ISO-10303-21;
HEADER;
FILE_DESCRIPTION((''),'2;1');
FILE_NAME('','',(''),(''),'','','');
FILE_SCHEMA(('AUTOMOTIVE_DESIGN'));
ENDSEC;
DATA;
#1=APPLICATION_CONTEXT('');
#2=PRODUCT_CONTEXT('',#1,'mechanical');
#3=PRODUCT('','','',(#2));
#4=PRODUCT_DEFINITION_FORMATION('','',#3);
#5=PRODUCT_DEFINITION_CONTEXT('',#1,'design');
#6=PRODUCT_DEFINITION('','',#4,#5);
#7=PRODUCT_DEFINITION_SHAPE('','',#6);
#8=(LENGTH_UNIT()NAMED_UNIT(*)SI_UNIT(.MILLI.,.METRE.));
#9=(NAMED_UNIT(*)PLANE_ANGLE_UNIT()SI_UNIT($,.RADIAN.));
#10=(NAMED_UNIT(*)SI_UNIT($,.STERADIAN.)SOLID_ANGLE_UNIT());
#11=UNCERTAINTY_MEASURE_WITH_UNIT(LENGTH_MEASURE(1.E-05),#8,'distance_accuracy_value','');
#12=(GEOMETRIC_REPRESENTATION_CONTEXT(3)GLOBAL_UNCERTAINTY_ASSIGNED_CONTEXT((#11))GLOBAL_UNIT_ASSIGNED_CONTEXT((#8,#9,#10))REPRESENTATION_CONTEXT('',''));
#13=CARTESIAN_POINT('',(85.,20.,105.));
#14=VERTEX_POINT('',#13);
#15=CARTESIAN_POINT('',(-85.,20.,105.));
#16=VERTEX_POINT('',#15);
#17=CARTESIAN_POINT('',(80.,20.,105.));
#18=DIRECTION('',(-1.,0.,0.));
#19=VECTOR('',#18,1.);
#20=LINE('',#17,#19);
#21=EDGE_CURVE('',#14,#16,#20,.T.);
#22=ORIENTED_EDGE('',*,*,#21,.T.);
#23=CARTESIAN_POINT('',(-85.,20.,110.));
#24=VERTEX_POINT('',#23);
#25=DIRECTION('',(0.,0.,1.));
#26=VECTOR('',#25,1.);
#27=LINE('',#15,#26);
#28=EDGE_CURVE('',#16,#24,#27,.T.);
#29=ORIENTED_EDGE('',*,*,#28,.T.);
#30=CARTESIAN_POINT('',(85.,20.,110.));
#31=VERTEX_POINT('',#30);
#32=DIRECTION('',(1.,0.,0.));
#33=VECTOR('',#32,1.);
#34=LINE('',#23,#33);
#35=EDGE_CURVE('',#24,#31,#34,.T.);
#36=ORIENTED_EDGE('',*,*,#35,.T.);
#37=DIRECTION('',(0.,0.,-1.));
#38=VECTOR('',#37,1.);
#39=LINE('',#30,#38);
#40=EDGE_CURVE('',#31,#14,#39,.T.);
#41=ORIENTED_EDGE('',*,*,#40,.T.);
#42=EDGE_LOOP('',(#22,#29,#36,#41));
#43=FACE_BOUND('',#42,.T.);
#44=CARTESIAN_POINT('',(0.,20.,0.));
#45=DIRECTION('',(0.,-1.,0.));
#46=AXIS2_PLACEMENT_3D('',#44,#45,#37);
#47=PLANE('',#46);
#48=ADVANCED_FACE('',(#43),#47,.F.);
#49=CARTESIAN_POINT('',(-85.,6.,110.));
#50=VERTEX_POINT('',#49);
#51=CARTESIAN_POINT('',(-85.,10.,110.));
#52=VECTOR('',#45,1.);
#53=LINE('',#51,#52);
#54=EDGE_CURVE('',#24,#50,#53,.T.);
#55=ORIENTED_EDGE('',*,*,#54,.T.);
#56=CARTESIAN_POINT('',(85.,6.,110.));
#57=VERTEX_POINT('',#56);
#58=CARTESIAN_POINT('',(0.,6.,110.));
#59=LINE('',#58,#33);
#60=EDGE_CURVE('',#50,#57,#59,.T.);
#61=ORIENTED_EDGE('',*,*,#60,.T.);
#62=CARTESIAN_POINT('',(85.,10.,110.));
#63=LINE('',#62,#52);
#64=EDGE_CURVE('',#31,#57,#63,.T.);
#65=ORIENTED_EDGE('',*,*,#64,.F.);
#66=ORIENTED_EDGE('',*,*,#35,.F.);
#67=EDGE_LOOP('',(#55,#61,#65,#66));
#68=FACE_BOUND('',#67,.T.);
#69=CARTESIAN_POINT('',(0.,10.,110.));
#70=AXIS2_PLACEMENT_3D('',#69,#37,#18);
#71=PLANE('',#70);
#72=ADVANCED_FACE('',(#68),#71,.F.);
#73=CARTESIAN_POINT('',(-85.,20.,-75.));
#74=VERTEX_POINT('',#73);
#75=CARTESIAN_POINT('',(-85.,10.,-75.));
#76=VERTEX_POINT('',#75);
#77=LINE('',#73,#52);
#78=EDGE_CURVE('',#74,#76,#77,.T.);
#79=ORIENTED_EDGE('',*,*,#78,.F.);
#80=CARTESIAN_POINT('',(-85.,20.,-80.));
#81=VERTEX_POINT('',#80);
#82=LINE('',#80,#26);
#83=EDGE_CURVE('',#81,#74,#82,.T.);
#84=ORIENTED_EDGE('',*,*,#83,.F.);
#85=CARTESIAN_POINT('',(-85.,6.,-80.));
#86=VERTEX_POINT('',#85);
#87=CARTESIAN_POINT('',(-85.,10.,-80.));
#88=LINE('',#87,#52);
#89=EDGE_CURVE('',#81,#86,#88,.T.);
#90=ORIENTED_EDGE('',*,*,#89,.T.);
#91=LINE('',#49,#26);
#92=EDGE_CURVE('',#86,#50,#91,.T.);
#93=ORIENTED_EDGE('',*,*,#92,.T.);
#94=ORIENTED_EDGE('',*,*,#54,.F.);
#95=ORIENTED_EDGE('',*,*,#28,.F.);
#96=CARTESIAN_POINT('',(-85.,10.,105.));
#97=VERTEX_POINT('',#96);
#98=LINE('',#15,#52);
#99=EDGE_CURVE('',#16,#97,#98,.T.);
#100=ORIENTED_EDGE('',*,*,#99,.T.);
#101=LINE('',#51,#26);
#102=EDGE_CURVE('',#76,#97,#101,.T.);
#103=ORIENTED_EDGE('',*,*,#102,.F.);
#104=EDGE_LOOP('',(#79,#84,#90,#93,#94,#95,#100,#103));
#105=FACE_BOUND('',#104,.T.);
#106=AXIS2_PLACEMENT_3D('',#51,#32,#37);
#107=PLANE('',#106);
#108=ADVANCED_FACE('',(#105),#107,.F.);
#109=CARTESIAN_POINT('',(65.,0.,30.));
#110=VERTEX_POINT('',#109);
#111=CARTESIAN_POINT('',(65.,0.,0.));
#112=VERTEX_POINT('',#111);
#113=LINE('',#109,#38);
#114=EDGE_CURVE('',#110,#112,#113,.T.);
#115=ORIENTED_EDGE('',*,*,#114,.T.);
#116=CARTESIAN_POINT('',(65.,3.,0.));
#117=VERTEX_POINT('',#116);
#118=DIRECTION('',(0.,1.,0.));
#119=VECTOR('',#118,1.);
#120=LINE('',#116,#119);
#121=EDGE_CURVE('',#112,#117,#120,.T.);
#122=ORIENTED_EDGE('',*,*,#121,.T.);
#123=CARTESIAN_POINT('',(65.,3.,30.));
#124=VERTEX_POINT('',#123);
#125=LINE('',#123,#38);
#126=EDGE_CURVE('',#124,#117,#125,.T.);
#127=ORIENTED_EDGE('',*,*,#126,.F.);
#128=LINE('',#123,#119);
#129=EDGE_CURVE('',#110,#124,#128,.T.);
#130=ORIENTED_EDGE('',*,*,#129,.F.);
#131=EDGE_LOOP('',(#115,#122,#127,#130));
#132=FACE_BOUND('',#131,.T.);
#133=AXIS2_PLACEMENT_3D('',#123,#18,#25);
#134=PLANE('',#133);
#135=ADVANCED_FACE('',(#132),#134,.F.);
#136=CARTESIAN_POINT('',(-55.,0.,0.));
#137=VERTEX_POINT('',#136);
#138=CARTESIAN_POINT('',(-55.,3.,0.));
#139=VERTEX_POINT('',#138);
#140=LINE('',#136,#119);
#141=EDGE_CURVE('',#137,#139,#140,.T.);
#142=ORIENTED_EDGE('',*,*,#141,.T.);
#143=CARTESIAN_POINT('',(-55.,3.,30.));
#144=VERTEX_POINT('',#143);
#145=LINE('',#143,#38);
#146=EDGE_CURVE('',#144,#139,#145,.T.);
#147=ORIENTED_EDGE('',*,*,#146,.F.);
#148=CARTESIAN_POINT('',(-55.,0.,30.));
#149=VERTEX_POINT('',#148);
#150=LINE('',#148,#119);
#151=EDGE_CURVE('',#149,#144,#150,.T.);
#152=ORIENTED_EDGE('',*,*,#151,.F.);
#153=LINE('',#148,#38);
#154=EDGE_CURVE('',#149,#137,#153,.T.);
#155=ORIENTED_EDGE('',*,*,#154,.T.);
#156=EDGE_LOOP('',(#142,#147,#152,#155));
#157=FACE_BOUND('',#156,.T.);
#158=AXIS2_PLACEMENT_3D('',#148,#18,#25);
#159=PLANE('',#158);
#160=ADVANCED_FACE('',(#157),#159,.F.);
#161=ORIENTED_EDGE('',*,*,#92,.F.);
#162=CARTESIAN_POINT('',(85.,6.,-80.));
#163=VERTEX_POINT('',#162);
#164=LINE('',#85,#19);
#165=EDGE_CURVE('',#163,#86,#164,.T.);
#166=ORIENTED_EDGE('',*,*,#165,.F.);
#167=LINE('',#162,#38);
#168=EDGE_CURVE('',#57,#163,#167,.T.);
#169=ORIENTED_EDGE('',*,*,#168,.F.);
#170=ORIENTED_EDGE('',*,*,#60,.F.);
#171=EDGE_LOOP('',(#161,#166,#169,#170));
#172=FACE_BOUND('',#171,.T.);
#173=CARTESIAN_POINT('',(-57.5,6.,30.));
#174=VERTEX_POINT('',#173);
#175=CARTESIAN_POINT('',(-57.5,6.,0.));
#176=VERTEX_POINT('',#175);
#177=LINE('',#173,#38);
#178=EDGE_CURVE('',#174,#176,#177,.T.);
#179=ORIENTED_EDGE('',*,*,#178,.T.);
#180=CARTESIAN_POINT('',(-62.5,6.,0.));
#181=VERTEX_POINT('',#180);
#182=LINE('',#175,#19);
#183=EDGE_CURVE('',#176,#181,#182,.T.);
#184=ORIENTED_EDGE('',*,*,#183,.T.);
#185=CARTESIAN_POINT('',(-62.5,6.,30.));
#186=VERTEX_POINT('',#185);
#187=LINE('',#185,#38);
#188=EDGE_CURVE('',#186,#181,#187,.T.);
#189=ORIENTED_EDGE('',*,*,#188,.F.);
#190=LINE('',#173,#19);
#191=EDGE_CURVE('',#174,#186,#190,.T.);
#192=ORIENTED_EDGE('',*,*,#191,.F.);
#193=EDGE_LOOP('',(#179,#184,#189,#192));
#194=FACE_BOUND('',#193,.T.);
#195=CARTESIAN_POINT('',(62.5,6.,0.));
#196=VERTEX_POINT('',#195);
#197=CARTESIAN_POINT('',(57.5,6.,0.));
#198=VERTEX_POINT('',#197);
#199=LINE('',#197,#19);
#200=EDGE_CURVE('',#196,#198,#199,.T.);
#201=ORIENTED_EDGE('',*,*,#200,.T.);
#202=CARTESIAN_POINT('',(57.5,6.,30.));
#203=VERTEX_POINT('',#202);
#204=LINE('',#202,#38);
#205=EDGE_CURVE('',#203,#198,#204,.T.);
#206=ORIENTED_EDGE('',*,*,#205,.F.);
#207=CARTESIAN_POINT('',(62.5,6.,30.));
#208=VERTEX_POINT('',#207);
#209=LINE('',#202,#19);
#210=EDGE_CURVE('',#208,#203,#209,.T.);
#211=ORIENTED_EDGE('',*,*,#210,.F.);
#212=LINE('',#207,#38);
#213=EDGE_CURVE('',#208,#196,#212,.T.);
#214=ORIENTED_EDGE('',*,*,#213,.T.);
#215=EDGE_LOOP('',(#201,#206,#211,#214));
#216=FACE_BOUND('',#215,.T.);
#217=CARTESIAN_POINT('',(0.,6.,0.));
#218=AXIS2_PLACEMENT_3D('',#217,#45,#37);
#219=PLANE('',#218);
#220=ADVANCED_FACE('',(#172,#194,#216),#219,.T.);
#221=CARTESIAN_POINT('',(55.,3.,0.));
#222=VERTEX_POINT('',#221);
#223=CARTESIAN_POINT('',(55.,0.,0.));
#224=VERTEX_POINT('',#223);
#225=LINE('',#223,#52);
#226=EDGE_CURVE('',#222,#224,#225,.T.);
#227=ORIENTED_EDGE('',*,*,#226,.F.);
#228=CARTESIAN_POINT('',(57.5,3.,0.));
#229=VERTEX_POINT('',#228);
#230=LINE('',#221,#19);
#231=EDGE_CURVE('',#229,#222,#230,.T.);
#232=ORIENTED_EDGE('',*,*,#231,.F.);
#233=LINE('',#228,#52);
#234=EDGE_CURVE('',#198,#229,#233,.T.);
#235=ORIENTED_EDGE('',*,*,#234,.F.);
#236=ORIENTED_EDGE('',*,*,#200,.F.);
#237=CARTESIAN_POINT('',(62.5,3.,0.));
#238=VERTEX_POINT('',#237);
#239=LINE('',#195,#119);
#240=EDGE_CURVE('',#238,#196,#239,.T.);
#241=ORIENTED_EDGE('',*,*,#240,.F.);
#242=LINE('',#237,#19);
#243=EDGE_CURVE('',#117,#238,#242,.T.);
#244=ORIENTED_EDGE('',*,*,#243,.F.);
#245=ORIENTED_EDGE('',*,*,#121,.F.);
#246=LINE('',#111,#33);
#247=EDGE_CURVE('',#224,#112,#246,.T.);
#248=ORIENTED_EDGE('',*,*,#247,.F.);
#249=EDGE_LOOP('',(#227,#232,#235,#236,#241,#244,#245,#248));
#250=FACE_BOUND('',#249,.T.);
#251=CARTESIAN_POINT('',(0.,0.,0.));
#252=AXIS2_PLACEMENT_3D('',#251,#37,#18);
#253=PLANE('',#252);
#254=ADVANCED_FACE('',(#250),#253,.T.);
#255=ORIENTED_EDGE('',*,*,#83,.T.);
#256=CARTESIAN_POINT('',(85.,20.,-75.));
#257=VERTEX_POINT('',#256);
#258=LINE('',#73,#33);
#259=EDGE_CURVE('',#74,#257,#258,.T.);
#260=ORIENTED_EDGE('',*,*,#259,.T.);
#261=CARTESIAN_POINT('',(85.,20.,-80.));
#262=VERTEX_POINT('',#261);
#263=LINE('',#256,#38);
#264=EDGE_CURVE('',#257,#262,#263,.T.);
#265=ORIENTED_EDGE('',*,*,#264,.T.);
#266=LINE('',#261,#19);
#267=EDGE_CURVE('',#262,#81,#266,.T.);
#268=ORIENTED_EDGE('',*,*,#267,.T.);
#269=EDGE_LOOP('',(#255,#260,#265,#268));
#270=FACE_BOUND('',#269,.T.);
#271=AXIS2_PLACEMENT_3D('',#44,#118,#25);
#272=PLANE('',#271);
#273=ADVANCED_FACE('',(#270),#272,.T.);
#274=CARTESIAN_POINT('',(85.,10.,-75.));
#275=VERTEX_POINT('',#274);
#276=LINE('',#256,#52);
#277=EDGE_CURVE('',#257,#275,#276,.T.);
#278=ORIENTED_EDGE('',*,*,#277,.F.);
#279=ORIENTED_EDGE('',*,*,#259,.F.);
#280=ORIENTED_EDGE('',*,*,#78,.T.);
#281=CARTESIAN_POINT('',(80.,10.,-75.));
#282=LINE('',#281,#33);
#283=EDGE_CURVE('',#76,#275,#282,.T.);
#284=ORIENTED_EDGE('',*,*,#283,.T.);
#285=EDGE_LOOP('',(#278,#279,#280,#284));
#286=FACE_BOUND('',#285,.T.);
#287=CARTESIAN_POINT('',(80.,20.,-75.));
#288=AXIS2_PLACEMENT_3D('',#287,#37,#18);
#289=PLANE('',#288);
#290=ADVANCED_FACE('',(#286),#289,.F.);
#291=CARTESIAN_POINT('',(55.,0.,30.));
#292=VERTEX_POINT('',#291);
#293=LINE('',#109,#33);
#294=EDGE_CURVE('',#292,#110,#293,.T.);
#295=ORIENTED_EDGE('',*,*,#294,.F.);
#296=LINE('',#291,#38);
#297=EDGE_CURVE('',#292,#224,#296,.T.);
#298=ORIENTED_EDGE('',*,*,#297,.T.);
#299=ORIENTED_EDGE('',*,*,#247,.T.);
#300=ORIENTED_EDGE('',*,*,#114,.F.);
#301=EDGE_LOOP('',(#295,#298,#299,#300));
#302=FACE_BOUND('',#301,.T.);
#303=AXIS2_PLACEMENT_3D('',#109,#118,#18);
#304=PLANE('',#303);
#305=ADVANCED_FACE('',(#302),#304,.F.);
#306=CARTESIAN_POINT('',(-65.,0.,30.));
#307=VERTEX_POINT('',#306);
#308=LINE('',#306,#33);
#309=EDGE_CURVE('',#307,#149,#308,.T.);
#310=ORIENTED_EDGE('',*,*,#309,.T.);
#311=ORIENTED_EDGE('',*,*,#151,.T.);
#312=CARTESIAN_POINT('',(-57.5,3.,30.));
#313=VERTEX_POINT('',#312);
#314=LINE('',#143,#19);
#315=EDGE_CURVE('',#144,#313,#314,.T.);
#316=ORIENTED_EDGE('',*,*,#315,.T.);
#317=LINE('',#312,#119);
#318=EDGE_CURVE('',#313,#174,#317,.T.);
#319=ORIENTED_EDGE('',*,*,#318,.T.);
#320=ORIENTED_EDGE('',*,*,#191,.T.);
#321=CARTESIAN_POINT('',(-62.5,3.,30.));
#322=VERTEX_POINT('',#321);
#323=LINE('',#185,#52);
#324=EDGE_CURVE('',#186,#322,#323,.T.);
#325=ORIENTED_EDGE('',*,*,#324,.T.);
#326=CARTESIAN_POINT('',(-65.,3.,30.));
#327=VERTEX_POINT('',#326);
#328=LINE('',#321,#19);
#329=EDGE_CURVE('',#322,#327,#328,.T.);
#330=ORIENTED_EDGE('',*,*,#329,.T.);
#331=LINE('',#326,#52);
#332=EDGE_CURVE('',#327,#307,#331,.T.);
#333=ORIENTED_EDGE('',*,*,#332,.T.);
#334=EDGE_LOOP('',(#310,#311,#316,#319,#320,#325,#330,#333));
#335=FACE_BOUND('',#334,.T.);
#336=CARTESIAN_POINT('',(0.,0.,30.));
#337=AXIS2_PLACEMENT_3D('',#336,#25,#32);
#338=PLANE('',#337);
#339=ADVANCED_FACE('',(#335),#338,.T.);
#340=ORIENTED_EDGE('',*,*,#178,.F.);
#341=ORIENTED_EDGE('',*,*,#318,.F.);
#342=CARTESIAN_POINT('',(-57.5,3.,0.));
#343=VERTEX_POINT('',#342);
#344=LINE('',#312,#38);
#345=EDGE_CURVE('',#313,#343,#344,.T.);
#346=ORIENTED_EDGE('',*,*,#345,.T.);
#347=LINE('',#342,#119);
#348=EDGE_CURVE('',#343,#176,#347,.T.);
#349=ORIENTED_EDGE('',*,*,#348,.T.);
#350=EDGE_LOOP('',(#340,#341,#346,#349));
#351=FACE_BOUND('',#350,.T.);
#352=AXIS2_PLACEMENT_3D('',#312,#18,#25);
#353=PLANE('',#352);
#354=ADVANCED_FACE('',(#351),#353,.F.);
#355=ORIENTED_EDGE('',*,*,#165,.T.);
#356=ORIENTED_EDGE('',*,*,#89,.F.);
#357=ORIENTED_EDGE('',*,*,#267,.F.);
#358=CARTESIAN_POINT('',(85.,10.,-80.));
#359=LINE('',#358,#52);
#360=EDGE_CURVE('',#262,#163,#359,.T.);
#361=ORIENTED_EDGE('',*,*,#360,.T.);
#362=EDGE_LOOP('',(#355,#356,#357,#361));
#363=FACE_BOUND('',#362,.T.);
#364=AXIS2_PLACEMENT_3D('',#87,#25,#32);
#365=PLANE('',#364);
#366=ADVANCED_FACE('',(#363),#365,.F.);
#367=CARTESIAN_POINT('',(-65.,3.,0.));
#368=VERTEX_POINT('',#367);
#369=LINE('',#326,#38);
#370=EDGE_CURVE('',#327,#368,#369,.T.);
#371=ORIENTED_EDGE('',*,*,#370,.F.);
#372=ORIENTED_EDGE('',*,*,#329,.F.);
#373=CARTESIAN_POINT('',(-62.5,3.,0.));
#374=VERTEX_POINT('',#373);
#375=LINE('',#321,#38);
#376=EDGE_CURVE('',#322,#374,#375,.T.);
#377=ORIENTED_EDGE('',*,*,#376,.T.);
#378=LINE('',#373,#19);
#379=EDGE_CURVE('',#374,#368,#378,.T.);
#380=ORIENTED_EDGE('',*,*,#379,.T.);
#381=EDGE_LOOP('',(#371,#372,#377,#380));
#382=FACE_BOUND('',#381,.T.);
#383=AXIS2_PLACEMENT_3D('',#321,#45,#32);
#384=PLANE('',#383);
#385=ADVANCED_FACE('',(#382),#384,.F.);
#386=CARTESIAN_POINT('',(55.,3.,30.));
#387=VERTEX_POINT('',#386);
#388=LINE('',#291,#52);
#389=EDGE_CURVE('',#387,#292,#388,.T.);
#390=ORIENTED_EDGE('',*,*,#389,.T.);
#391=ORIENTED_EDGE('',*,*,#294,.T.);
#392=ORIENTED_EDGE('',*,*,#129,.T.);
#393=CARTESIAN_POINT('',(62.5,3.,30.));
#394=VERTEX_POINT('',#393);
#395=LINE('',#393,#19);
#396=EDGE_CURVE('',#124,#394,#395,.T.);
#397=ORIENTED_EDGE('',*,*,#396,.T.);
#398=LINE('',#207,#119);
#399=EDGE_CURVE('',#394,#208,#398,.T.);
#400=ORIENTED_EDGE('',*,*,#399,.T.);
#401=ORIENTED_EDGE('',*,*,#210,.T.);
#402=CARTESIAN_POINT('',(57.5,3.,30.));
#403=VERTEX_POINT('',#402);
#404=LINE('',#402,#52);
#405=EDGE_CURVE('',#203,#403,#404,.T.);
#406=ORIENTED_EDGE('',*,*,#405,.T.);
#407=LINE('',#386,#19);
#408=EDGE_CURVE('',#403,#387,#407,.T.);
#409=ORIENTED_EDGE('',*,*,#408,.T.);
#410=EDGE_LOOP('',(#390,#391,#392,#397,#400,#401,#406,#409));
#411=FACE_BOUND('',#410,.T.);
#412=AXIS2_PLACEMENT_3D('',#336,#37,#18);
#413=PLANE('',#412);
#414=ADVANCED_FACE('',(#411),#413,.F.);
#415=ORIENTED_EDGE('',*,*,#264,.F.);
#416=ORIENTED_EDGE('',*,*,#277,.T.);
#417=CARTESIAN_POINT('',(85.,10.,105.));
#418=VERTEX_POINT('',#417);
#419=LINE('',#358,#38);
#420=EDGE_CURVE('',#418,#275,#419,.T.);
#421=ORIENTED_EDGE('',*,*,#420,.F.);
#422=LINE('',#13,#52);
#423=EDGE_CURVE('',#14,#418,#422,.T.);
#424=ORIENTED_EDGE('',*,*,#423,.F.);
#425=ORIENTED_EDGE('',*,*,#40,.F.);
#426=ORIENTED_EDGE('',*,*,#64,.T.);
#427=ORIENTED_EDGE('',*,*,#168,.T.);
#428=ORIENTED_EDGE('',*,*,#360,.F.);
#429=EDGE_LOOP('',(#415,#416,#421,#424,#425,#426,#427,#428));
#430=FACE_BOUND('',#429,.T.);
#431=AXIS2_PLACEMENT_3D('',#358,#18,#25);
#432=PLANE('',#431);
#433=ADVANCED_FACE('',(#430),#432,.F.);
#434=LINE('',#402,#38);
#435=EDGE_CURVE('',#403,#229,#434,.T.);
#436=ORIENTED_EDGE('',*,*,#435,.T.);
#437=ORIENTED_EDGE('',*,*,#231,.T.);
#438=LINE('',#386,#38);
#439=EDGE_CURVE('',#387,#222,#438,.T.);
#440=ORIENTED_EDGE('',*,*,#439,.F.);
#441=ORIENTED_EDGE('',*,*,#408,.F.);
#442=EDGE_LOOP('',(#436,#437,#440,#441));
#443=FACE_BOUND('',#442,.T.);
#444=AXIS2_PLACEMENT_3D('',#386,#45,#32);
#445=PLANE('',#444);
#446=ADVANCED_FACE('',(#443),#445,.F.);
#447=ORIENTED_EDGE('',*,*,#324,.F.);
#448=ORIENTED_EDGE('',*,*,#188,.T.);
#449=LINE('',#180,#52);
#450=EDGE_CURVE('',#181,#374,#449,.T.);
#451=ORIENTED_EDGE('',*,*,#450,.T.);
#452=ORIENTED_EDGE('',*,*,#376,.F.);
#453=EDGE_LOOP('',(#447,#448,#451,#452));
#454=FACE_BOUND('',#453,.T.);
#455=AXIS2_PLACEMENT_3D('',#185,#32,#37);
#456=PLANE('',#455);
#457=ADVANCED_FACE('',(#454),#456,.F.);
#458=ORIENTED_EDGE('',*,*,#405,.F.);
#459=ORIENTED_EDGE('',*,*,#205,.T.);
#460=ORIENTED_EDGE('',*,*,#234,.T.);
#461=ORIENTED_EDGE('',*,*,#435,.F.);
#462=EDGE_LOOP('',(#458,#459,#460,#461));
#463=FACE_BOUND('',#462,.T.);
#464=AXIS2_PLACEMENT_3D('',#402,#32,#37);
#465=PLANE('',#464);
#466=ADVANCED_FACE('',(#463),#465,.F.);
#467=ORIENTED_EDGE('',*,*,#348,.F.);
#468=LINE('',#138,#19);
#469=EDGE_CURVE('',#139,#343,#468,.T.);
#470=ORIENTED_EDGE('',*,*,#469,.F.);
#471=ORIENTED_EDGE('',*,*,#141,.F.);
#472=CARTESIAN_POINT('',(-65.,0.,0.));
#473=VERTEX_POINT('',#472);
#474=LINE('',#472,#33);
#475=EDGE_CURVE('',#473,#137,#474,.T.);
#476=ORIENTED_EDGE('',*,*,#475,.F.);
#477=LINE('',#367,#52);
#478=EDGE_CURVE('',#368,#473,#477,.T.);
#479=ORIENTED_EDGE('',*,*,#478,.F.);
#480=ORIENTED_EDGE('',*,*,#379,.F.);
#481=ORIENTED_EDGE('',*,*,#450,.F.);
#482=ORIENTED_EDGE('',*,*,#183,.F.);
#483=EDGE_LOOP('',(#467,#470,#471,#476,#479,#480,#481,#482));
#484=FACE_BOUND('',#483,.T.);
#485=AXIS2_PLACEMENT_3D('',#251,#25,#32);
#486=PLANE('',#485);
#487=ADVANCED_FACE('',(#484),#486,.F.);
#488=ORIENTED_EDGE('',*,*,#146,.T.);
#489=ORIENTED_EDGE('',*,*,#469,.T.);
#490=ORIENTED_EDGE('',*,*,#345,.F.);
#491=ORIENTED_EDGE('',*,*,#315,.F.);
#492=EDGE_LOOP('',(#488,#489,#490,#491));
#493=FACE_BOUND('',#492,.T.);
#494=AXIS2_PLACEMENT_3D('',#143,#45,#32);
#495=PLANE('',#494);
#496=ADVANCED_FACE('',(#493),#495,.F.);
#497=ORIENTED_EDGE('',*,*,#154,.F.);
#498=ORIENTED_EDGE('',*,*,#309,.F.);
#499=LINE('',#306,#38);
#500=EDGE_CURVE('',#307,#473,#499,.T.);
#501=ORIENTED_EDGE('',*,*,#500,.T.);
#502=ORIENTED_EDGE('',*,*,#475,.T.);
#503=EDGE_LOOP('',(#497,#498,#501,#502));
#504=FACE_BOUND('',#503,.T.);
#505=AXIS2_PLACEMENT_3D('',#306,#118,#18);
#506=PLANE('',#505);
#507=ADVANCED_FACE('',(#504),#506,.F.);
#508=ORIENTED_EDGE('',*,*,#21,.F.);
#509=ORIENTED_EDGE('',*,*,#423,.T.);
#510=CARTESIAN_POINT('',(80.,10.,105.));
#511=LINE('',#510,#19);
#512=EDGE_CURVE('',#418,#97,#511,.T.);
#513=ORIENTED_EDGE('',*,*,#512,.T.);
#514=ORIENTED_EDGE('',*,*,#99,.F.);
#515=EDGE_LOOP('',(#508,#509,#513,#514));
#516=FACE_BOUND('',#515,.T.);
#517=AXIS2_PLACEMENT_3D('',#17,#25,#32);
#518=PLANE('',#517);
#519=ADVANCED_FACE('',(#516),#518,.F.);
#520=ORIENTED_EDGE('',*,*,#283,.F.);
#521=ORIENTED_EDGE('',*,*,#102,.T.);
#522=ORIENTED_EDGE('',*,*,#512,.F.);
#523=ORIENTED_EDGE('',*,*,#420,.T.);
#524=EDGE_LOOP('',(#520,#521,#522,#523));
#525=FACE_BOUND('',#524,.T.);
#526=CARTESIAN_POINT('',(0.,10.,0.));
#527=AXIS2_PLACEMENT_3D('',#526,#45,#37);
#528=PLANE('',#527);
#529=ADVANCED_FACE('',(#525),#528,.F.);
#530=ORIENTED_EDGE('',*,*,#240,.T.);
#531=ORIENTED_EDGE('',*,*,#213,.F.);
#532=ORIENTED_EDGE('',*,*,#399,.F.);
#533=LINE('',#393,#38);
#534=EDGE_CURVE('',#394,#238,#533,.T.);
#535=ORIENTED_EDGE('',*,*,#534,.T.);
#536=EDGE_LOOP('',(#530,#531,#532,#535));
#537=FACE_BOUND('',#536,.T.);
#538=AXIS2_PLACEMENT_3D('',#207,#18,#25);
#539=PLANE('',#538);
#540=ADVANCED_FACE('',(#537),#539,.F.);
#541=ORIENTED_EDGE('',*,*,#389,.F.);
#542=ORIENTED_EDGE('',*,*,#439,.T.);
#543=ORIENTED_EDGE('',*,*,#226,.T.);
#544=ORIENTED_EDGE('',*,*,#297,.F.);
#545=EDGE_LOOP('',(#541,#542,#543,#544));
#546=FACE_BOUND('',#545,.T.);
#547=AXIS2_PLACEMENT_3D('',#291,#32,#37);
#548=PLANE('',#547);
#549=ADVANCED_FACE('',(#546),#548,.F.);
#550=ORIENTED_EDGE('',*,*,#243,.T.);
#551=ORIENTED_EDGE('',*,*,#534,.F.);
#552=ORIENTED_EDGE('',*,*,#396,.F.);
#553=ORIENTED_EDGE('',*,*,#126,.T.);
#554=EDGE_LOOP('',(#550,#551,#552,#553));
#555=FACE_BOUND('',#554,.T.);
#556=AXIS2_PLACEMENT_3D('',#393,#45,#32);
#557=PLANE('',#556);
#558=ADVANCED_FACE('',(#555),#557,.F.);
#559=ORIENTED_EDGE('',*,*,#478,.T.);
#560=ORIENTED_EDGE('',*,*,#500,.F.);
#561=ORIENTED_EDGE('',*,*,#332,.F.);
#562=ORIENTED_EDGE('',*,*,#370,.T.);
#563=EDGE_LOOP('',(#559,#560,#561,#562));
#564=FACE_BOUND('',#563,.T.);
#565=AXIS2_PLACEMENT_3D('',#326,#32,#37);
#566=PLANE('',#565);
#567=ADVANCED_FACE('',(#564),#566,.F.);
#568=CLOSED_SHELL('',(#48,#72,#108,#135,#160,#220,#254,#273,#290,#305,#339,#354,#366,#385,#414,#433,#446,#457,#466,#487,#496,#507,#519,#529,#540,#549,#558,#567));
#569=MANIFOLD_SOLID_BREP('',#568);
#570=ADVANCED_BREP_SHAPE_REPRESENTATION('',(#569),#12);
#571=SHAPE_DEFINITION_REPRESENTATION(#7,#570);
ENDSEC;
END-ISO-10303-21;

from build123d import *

# Parameters (mm, degrees)
EXTRUDE_1_DEPTH   = 30
EXTRUDE_1_2_DEPTH = 30
EXTRUDE_2_DEPTH   = 4
EXTRUDE_3_DEPTH   = 10


with BuildPart() as part:
    # 草图1 → 凸台-拉伸1 (new body)
    with BuildSketch(Plane.XY):
        Polygon((-55, 0), (-55, 3), (-57.5, 3), (-57.5, 6), (-62.5, 6), (-62.5, 3), (-65, 3), (-65, 0), align=None)
    extrude(amount=EXTRUDE_1_DEPTH)



with BuildPart() as body_2:
    # 草图1 → Extrude 1 2 (new body)
    with BuildSketch(Plane.XY):
        Polygon((65, 0), (55, 0), (55, 3), (57.5, 3), (57.5, 6), (62.5, 6), (62.5, 3), (65, 3), align=None)
    extrude(amount=EXTRUDE_1_2_DEPTH)


with BuildPart() as part_1:
    add(part.part)

    add(body_2.part)  # 凸台-拉伸2 merges body 2
    # 草图2 → 凸台-拉伸2 (add)
    with BuildSketch(Plane(origin=(0, 6, 0), x_dir=(1, 0, 0), z_dir=(0, 1, 0))):
        Polygon((0, -110), (-85, -110), (-85, 80), (85, 80), (85, -110), align=None)
    extrude(amount=EXTRUDE_2_DEPTH)

    # 草图3 → 凸台-拉伸3 (add)
    with BuildSketch(Plane(origin=(0, 10, 0), x_dir=(1, 0, 0), z_dir=(0, 1, 0))):
        Polygon((-85, 80), (-85, 75), (80, 75), (85, 75), (85, 80), align=None)
        Polygon((80, -105), (-85, -105), (-85, -110), (85, -110), (85, -105), align=None)
    extrude(amount=EXTRUDE_3_DEPTH)


solid = part_1.part
